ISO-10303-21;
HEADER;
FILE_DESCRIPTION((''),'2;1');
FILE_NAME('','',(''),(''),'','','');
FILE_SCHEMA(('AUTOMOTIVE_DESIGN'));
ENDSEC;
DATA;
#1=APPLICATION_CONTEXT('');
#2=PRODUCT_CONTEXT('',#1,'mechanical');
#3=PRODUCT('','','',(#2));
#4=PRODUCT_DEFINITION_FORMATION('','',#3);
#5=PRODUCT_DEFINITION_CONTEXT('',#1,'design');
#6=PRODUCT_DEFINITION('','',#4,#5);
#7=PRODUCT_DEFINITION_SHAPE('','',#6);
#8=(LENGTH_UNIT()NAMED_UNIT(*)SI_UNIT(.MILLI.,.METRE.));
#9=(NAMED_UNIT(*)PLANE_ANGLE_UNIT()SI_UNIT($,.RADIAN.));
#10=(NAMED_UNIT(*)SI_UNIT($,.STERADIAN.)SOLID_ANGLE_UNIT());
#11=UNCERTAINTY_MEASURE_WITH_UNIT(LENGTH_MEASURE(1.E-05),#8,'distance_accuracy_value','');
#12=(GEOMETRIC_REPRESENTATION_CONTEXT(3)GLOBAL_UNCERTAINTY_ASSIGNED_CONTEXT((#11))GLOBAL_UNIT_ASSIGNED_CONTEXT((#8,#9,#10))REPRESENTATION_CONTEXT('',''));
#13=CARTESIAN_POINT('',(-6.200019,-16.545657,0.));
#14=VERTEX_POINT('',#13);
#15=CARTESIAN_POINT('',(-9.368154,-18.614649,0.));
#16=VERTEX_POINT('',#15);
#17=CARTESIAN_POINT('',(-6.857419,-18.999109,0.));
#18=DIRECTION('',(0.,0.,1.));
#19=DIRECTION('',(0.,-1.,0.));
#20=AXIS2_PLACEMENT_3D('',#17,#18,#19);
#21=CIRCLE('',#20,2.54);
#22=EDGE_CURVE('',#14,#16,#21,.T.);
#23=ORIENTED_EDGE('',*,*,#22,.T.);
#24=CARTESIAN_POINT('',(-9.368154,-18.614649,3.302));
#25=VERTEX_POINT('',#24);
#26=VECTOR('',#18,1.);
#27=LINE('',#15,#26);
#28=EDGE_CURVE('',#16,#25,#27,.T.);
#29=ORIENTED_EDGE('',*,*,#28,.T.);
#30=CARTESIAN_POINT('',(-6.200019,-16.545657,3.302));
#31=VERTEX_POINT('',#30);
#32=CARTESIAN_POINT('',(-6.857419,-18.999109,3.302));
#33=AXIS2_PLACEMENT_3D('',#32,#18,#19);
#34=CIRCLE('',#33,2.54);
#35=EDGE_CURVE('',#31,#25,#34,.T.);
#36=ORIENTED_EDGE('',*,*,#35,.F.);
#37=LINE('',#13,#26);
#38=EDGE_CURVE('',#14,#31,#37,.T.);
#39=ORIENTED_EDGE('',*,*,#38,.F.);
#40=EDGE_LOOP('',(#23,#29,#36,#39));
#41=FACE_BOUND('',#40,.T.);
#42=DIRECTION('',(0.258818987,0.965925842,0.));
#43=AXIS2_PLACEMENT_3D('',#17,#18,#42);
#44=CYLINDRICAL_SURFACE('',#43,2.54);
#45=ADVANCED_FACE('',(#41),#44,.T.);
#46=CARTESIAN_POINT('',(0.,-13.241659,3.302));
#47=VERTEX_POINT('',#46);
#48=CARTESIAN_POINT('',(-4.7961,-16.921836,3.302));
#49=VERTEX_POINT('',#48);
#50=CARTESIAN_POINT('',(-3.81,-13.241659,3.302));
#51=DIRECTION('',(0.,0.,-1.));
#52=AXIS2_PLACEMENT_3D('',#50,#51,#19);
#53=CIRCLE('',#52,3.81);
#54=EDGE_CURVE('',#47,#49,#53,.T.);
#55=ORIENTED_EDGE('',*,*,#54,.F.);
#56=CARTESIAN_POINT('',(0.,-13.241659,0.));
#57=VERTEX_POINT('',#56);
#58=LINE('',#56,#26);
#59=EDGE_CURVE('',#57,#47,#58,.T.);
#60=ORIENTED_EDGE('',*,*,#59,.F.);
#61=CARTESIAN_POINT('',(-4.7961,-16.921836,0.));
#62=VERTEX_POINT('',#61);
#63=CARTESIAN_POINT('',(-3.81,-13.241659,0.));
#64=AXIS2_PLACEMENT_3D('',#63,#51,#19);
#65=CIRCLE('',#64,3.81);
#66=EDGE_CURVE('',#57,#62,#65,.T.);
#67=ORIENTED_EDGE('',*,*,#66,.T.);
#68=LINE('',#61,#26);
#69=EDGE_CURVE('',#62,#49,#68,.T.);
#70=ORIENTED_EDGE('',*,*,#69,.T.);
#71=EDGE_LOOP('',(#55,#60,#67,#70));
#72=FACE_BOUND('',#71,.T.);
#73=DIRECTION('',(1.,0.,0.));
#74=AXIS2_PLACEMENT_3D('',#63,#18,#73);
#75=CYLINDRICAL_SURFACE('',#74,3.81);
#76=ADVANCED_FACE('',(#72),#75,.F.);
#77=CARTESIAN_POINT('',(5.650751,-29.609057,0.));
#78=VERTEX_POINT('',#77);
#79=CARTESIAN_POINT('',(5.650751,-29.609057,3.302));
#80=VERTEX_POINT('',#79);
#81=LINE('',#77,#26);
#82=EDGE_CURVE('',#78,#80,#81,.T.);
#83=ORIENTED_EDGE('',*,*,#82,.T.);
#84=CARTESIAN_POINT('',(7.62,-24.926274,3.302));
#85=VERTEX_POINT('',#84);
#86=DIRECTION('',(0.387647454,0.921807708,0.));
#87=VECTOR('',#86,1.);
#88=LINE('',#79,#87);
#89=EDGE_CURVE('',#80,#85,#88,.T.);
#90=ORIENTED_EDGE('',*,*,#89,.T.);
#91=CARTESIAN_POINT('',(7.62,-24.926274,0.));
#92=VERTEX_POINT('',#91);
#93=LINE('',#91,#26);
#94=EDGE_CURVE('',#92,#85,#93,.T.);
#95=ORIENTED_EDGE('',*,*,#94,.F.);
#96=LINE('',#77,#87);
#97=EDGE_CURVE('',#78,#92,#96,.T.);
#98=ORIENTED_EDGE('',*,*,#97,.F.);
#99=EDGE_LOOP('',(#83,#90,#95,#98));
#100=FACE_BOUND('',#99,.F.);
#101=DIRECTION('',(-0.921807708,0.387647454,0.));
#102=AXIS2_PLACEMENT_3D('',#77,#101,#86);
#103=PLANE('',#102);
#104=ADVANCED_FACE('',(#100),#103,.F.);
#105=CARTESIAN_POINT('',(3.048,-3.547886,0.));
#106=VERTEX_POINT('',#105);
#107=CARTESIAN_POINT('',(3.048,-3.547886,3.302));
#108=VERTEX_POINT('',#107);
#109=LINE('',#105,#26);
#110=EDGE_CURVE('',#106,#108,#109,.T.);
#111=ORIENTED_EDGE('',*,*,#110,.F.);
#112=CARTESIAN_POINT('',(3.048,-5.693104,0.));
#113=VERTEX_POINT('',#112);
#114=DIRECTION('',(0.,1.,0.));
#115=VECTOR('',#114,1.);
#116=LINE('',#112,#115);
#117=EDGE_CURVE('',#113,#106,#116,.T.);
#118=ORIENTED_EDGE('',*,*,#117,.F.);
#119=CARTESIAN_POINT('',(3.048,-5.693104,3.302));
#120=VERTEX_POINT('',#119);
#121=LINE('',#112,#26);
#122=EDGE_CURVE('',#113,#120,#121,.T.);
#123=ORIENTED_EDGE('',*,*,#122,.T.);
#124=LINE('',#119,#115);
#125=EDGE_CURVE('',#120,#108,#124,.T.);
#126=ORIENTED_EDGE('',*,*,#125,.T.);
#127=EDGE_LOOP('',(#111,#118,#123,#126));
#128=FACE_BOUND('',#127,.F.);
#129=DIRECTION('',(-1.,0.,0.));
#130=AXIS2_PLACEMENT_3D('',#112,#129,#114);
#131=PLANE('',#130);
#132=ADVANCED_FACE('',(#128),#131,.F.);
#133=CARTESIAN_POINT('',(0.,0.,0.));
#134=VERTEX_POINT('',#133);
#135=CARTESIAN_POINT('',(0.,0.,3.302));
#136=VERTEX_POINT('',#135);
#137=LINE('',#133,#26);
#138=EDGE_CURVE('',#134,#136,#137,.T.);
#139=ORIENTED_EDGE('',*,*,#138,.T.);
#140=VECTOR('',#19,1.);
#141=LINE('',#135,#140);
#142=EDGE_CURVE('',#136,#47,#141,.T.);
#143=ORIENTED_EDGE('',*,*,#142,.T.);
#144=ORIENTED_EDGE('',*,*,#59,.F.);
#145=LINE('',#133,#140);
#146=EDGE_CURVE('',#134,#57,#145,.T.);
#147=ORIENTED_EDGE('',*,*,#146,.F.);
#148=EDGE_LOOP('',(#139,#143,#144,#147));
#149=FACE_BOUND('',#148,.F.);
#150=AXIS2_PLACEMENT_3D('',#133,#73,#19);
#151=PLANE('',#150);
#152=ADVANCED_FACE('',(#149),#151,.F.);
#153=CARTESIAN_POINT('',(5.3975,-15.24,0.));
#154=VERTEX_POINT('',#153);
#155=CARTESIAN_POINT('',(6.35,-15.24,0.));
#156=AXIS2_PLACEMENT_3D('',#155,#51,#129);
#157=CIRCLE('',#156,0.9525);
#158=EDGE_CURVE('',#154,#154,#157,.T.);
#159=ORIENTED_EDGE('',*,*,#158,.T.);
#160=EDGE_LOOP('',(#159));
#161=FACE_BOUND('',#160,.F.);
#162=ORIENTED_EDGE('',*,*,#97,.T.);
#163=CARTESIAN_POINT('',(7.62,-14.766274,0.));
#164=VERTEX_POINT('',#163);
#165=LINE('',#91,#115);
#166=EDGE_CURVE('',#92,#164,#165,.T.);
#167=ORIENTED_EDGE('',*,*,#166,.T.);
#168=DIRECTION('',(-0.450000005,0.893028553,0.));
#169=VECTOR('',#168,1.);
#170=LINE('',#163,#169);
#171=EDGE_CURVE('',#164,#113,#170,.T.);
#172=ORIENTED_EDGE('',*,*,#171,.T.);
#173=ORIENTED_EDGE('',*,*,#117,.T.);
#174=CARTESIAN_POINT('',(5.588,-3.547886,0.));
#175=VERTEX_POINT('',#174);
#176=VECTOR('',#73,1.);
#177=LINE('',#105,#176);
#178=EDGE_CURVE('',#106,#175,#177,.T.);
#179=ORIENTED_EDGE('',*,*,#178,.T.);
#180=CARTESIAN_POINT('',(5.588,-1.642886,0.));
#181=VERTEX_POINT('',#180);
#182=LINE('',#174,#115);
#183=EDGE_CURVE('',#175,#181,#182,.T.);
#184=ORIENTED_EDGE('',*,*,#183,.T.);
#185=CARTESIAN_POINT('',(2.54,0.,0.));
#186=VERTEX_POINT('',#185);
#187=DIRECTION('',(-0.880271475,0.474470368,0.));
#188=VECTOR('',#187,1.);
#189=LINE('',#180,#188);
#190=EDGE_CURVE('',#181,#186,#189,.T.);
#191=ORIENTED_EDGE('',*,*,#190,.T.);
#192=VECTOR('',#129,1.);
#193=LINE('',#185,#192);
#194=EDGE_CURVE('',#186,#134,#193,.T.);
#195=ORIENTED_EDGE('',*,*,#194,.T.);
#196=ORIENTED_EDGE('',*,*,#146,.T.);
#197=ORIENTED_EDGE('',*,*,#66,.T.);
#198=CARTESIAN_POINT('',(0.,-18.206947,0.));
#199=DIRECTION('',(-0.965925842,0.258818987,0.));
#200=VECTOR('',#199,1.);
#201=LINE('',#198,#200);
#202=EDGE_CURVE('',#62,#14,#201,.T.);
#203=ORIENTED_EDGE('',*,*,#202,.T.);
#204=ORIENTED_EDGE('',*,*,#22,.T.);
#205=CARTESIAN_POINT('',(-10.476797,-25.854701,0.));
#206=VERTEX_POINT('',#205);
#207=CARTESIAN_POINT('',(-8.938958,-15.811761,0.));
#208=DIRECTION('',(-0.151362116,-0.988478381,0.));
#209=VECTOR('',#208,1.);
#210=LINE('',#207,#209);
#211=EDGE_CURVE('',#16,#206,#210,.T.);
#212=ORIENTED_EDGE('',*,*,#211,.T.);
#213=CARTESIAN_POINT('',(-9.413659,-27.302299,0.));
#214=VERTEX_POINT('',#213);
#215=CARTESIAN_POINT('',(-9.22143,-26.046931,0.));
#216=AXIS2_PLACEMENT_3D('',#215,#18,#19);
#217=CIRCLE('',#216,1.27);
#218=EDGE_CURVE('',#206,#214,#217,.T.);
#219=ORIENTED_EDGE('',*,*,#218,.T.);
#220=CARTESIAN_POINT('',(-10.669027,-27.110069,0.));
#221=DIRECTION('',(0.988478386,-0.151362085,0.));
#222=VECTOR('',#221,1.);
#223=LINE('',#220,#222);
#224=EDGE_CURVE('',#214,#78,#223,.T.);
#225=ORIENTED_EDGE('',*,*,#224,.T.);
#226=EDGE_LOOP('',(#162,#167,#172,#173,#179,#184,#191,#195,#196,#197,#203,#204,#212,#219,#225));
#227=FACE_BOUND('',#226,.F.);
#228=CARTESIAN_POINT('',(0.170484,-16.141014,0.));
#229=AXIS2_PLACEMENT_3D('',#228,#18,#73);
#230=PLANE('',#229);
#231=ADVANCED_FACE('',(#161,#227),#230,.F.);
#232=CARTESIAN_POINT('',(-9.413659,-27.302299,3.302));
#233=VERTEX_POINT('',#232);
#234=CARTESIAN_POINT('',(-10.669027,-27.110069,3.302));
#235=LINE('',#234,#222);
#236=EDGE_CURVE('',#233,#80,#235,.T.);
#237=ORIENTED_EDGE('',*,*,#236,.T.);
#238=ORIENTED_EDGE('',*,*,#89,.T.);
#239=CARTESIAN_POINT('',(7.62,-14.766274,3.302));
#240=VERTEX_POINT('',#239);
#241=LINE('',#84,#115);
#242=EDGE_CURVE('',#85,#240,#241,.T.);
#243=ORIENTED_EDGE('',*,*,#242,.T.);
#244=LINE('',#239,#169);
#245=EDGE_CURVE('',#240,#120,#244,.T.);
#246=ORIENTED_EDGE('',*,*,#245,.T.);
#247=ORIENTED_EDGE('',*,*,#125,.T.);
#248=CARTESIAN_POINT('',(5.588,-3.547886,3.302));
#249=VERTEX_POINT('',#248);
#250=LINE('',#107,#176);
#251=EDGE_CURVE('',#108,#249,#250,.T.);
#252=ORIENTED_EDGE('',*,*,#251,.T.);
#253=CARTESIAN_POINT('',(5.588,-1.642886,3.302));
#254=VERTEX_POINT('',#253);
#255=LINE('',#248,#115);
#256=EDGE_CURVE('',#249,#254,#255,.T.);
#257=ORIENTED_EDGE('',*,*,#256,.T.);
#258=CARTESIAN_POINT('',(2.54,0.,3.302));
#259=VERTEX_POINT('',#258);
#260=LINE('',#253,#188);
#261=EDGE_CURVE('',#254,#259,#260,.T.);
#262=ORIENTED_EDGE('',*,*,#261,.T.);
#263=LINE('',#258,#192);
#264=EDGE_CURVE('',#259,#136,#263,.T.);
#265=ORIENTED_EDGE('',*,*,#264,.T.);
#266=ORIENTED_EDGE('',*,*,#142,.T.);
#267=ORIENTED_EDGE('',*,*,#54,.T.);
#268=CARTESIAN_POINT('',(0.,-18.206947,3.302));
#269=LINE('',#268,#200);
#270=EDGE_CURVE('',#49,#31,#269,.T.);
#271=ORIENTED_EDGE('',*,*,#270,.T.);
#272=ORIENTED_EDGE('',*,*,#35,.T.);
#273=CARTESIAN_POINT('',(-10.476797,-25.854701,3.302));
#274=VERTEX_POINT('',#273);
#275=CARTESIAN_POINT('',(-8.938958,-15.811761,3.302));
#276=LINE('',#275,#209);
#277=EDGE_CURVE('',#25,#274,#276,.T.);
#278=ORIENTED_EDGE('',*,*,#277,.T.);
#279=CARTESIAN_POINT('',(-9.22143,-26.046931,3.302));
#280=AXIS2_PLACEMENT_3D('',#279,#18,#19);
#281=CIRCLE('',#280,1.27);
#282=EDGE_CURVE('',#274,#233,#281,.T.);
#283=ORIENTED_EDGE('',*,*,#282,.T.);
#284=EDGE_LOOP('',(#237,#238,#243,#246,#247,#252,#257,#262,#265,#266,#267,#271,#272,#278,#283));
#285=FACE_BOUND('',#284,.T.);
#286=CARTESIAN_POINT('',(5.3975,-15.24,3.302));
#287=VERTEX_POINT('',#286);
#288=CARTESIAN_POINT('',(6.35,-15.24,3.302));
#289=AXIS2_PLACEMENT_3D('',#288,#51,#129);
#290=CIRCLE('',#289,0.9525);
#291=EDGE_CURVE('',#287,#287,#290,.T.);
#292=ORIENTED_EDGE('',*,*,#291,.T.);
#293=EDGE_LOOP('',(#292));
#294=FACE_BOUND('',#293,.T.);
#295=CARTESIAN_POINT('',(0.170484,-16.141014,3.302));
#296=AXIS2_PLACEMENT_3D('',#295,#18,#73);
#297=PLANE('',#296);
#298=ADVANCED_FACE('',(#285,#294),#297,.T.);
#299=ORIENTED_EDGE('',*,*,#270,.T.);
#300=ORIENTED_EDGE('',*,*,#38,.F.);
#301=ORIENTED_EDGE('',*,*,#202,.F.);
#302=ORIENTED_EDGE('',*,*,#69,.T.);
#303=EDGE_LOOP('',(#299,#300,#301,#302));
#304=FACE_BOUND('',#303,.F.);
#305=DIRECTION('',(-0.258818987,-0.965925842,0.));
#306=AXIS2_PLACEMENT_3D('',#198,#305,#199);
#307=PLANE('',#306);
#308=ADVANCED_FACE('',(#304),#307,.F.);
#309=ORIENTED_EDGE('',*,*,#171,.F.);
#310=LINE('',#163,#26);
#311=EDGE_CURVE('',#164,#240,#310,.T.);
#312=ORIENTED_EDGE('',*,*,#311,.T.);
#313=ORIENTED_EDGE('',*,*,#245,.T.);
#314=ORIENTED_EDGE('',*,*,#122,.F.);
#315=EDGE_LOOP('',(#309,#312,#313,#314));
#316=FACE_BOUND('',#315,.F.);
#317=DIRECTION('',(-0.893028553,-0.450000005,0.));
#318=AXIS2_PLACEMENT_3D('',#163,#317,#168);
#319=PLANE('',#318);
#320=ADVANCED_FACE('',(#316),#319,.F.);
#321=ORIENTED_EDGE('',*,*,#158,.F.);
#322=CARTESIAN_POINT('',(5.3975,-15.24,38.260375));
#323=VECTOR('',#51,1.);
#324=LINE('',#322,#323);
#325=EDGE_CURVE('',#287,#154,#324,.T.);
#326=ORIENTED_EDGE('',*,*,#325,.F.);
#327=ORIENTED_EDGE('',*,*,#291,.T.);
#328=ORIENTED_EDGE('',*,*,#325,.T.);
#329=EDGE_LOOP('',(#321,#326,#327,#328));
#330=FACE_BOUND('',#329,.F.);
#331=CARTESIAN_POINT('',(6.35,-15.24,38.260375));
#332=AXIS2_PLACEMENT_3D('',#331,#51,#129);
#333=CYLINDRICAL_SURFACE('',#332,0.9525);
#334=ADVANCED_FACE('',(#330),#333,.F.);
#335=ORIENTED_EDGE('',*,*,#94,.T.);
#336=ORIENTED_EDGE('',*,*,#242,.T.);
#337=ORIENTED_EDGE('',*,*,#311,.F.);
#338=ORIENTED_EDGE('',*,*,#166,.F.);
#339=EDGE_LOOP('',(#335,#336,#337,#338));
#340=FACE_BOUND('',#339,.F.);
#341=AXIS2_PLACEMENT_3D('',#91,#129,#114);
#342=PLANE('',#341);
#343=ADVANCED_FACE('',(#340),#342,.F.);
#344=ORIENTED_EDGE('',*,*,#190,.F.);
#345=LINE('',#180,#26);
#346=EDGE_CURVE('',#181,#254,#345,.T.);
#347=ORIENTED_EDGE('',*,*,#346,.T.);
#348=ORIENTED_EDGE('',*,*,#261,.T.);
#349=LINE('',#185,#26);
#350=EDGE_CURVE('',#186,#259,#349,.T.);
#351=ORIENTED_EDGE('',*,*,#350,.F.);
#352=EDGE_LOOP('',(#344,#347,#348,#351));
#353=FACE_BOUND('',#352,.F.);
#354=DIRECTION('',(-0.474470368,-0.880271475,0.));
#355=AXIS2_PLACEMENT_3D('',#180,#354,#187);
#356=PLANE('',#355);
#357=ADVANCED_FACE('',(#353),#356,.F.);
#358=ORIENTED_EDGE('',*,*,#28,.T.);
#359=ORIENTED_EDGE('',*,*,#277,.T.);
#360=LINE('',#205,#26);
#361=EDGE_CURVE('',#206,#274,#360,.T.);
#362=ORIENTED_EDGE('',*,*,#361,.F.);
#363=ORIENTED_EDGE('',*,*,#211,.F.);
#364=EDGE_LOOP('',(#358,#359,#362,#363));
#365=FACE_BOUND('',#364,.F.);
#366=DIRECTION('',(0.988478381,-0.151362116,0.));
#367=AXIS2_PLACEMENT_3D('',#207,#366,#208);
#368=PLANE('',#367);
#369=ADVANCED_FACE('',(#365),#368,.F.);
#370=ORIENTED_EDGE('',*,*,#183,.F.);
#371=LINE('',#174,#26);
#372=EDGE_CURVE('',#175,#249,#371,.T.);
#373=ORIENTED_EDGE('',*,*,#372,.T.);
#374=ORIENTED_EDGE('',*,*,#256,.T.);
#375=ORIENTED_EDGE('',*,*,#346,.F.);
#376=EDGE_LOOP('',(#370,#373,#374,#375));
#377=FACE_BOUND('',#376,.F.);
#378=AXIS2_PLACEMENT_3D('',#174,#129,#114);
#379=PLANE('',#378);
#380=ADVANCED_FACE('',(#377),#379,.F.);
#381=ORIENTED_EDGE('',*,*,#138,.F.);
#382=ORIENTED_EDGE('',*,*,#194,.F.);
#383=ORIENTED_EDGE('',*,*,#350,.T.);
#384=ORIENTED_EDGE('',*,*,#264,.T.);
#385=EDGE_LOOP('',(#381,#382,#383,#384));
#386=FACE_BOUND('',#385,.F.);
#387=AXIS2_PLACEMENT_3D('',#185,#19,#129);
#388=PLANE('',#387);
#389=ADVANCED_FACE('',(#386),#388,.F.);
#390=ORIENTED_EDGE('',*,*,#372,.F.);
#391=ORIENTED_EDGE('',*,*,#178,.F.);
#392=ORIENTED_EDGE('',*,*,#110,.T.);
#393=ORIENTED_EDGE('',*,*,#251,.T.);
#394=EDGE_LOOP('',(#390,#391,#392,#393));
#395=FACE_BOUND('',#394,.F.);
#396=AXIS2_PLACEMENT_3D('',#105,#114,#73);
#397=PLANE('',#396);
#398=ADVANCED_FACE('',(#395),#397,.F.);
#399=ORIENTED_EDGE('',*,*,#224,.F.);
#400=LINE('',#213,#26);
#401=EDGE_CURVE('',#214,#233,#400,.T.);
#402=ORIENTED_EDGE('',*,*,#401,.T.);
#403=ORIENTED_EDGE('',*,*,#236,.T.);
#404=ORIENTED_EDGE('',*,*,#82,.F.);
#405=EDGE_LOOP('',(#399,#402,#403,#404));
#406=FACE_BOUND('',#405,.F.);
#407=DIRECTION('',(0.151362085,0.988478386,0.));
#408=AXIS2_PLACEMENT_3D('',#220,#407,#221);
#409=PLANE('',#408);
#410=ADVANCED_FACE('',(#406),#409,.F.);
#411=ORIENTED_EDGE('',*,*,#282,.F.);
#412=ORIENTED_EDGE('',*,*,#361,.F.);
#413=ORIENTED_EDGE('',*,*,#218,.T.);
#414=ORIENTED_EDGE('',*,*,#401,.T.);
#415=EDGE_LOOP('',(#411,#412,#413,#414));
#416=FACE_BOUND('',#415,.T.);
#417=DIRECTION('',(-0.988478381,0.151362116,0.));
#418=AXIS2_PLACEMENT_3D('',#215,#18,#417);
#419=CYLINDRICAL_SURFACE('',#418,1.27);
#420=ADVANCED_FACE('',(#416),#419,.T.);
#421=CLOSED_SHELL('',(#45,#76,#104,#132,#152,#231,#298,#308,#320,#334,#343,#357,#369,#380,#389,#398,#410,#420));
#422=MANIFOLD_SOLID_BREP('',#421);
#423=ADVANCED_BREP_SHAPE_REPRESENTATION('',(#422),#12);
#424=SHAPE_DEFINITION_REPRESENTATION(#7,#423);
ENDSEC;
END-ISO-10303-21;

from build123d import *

# Parameters (mm, degrees)
F1_DEPTH = 3.302
F2_R     = 3.81
F3_R     = 2.54
F5_D     = 1.905
F6_R     = 1.27


with BuildPart() as f1:
    # F0 (on Top) → F1 (new body)
    with BuildSketch(Plane.XY):
        Polygon((2.54, 0), (0, 0), (0, -18.206947), (-8.938958, -15.811761), (-10.669027, -27.110069), (5.650751, -29.609057), (7.62, -24.926274), (7.62, -14.766274), (3.048, -5.693104), (3.048, -3.547886), (5.588, -3.547886), (5.588, -1.642886), align=None)
    extrude(amount=F1_DEPTH)

    # F2
    f2_edges = [f1.edges().sort_by_distance(p)[0] for p in [
        (0, -18.206947, 1.651),
    ]]
    fillet(f2_edges, radius=F2_R)

    # F3
    f3_edges = [f1.edges().sort_by_distance(p)[0] for p in [
        (-8.938958, -15.811761, 1.651),
    ]]
    fillet(f3_edges, radius=F3_R)

    # F5 (through all)
    with Locations(Plane.XY.offset(3.302)):
        with Locations((6.35, -15.24)):
            Hole(F5_D / 2)

    # F6
    f6_edges = [f1.edges().sort_by_distance(p)[0] for p in [
        (-10.669027, -27.110069, 1.651),
    ]]
    fillet(f6_edges, radius=F6_R)


solid = f1.part
